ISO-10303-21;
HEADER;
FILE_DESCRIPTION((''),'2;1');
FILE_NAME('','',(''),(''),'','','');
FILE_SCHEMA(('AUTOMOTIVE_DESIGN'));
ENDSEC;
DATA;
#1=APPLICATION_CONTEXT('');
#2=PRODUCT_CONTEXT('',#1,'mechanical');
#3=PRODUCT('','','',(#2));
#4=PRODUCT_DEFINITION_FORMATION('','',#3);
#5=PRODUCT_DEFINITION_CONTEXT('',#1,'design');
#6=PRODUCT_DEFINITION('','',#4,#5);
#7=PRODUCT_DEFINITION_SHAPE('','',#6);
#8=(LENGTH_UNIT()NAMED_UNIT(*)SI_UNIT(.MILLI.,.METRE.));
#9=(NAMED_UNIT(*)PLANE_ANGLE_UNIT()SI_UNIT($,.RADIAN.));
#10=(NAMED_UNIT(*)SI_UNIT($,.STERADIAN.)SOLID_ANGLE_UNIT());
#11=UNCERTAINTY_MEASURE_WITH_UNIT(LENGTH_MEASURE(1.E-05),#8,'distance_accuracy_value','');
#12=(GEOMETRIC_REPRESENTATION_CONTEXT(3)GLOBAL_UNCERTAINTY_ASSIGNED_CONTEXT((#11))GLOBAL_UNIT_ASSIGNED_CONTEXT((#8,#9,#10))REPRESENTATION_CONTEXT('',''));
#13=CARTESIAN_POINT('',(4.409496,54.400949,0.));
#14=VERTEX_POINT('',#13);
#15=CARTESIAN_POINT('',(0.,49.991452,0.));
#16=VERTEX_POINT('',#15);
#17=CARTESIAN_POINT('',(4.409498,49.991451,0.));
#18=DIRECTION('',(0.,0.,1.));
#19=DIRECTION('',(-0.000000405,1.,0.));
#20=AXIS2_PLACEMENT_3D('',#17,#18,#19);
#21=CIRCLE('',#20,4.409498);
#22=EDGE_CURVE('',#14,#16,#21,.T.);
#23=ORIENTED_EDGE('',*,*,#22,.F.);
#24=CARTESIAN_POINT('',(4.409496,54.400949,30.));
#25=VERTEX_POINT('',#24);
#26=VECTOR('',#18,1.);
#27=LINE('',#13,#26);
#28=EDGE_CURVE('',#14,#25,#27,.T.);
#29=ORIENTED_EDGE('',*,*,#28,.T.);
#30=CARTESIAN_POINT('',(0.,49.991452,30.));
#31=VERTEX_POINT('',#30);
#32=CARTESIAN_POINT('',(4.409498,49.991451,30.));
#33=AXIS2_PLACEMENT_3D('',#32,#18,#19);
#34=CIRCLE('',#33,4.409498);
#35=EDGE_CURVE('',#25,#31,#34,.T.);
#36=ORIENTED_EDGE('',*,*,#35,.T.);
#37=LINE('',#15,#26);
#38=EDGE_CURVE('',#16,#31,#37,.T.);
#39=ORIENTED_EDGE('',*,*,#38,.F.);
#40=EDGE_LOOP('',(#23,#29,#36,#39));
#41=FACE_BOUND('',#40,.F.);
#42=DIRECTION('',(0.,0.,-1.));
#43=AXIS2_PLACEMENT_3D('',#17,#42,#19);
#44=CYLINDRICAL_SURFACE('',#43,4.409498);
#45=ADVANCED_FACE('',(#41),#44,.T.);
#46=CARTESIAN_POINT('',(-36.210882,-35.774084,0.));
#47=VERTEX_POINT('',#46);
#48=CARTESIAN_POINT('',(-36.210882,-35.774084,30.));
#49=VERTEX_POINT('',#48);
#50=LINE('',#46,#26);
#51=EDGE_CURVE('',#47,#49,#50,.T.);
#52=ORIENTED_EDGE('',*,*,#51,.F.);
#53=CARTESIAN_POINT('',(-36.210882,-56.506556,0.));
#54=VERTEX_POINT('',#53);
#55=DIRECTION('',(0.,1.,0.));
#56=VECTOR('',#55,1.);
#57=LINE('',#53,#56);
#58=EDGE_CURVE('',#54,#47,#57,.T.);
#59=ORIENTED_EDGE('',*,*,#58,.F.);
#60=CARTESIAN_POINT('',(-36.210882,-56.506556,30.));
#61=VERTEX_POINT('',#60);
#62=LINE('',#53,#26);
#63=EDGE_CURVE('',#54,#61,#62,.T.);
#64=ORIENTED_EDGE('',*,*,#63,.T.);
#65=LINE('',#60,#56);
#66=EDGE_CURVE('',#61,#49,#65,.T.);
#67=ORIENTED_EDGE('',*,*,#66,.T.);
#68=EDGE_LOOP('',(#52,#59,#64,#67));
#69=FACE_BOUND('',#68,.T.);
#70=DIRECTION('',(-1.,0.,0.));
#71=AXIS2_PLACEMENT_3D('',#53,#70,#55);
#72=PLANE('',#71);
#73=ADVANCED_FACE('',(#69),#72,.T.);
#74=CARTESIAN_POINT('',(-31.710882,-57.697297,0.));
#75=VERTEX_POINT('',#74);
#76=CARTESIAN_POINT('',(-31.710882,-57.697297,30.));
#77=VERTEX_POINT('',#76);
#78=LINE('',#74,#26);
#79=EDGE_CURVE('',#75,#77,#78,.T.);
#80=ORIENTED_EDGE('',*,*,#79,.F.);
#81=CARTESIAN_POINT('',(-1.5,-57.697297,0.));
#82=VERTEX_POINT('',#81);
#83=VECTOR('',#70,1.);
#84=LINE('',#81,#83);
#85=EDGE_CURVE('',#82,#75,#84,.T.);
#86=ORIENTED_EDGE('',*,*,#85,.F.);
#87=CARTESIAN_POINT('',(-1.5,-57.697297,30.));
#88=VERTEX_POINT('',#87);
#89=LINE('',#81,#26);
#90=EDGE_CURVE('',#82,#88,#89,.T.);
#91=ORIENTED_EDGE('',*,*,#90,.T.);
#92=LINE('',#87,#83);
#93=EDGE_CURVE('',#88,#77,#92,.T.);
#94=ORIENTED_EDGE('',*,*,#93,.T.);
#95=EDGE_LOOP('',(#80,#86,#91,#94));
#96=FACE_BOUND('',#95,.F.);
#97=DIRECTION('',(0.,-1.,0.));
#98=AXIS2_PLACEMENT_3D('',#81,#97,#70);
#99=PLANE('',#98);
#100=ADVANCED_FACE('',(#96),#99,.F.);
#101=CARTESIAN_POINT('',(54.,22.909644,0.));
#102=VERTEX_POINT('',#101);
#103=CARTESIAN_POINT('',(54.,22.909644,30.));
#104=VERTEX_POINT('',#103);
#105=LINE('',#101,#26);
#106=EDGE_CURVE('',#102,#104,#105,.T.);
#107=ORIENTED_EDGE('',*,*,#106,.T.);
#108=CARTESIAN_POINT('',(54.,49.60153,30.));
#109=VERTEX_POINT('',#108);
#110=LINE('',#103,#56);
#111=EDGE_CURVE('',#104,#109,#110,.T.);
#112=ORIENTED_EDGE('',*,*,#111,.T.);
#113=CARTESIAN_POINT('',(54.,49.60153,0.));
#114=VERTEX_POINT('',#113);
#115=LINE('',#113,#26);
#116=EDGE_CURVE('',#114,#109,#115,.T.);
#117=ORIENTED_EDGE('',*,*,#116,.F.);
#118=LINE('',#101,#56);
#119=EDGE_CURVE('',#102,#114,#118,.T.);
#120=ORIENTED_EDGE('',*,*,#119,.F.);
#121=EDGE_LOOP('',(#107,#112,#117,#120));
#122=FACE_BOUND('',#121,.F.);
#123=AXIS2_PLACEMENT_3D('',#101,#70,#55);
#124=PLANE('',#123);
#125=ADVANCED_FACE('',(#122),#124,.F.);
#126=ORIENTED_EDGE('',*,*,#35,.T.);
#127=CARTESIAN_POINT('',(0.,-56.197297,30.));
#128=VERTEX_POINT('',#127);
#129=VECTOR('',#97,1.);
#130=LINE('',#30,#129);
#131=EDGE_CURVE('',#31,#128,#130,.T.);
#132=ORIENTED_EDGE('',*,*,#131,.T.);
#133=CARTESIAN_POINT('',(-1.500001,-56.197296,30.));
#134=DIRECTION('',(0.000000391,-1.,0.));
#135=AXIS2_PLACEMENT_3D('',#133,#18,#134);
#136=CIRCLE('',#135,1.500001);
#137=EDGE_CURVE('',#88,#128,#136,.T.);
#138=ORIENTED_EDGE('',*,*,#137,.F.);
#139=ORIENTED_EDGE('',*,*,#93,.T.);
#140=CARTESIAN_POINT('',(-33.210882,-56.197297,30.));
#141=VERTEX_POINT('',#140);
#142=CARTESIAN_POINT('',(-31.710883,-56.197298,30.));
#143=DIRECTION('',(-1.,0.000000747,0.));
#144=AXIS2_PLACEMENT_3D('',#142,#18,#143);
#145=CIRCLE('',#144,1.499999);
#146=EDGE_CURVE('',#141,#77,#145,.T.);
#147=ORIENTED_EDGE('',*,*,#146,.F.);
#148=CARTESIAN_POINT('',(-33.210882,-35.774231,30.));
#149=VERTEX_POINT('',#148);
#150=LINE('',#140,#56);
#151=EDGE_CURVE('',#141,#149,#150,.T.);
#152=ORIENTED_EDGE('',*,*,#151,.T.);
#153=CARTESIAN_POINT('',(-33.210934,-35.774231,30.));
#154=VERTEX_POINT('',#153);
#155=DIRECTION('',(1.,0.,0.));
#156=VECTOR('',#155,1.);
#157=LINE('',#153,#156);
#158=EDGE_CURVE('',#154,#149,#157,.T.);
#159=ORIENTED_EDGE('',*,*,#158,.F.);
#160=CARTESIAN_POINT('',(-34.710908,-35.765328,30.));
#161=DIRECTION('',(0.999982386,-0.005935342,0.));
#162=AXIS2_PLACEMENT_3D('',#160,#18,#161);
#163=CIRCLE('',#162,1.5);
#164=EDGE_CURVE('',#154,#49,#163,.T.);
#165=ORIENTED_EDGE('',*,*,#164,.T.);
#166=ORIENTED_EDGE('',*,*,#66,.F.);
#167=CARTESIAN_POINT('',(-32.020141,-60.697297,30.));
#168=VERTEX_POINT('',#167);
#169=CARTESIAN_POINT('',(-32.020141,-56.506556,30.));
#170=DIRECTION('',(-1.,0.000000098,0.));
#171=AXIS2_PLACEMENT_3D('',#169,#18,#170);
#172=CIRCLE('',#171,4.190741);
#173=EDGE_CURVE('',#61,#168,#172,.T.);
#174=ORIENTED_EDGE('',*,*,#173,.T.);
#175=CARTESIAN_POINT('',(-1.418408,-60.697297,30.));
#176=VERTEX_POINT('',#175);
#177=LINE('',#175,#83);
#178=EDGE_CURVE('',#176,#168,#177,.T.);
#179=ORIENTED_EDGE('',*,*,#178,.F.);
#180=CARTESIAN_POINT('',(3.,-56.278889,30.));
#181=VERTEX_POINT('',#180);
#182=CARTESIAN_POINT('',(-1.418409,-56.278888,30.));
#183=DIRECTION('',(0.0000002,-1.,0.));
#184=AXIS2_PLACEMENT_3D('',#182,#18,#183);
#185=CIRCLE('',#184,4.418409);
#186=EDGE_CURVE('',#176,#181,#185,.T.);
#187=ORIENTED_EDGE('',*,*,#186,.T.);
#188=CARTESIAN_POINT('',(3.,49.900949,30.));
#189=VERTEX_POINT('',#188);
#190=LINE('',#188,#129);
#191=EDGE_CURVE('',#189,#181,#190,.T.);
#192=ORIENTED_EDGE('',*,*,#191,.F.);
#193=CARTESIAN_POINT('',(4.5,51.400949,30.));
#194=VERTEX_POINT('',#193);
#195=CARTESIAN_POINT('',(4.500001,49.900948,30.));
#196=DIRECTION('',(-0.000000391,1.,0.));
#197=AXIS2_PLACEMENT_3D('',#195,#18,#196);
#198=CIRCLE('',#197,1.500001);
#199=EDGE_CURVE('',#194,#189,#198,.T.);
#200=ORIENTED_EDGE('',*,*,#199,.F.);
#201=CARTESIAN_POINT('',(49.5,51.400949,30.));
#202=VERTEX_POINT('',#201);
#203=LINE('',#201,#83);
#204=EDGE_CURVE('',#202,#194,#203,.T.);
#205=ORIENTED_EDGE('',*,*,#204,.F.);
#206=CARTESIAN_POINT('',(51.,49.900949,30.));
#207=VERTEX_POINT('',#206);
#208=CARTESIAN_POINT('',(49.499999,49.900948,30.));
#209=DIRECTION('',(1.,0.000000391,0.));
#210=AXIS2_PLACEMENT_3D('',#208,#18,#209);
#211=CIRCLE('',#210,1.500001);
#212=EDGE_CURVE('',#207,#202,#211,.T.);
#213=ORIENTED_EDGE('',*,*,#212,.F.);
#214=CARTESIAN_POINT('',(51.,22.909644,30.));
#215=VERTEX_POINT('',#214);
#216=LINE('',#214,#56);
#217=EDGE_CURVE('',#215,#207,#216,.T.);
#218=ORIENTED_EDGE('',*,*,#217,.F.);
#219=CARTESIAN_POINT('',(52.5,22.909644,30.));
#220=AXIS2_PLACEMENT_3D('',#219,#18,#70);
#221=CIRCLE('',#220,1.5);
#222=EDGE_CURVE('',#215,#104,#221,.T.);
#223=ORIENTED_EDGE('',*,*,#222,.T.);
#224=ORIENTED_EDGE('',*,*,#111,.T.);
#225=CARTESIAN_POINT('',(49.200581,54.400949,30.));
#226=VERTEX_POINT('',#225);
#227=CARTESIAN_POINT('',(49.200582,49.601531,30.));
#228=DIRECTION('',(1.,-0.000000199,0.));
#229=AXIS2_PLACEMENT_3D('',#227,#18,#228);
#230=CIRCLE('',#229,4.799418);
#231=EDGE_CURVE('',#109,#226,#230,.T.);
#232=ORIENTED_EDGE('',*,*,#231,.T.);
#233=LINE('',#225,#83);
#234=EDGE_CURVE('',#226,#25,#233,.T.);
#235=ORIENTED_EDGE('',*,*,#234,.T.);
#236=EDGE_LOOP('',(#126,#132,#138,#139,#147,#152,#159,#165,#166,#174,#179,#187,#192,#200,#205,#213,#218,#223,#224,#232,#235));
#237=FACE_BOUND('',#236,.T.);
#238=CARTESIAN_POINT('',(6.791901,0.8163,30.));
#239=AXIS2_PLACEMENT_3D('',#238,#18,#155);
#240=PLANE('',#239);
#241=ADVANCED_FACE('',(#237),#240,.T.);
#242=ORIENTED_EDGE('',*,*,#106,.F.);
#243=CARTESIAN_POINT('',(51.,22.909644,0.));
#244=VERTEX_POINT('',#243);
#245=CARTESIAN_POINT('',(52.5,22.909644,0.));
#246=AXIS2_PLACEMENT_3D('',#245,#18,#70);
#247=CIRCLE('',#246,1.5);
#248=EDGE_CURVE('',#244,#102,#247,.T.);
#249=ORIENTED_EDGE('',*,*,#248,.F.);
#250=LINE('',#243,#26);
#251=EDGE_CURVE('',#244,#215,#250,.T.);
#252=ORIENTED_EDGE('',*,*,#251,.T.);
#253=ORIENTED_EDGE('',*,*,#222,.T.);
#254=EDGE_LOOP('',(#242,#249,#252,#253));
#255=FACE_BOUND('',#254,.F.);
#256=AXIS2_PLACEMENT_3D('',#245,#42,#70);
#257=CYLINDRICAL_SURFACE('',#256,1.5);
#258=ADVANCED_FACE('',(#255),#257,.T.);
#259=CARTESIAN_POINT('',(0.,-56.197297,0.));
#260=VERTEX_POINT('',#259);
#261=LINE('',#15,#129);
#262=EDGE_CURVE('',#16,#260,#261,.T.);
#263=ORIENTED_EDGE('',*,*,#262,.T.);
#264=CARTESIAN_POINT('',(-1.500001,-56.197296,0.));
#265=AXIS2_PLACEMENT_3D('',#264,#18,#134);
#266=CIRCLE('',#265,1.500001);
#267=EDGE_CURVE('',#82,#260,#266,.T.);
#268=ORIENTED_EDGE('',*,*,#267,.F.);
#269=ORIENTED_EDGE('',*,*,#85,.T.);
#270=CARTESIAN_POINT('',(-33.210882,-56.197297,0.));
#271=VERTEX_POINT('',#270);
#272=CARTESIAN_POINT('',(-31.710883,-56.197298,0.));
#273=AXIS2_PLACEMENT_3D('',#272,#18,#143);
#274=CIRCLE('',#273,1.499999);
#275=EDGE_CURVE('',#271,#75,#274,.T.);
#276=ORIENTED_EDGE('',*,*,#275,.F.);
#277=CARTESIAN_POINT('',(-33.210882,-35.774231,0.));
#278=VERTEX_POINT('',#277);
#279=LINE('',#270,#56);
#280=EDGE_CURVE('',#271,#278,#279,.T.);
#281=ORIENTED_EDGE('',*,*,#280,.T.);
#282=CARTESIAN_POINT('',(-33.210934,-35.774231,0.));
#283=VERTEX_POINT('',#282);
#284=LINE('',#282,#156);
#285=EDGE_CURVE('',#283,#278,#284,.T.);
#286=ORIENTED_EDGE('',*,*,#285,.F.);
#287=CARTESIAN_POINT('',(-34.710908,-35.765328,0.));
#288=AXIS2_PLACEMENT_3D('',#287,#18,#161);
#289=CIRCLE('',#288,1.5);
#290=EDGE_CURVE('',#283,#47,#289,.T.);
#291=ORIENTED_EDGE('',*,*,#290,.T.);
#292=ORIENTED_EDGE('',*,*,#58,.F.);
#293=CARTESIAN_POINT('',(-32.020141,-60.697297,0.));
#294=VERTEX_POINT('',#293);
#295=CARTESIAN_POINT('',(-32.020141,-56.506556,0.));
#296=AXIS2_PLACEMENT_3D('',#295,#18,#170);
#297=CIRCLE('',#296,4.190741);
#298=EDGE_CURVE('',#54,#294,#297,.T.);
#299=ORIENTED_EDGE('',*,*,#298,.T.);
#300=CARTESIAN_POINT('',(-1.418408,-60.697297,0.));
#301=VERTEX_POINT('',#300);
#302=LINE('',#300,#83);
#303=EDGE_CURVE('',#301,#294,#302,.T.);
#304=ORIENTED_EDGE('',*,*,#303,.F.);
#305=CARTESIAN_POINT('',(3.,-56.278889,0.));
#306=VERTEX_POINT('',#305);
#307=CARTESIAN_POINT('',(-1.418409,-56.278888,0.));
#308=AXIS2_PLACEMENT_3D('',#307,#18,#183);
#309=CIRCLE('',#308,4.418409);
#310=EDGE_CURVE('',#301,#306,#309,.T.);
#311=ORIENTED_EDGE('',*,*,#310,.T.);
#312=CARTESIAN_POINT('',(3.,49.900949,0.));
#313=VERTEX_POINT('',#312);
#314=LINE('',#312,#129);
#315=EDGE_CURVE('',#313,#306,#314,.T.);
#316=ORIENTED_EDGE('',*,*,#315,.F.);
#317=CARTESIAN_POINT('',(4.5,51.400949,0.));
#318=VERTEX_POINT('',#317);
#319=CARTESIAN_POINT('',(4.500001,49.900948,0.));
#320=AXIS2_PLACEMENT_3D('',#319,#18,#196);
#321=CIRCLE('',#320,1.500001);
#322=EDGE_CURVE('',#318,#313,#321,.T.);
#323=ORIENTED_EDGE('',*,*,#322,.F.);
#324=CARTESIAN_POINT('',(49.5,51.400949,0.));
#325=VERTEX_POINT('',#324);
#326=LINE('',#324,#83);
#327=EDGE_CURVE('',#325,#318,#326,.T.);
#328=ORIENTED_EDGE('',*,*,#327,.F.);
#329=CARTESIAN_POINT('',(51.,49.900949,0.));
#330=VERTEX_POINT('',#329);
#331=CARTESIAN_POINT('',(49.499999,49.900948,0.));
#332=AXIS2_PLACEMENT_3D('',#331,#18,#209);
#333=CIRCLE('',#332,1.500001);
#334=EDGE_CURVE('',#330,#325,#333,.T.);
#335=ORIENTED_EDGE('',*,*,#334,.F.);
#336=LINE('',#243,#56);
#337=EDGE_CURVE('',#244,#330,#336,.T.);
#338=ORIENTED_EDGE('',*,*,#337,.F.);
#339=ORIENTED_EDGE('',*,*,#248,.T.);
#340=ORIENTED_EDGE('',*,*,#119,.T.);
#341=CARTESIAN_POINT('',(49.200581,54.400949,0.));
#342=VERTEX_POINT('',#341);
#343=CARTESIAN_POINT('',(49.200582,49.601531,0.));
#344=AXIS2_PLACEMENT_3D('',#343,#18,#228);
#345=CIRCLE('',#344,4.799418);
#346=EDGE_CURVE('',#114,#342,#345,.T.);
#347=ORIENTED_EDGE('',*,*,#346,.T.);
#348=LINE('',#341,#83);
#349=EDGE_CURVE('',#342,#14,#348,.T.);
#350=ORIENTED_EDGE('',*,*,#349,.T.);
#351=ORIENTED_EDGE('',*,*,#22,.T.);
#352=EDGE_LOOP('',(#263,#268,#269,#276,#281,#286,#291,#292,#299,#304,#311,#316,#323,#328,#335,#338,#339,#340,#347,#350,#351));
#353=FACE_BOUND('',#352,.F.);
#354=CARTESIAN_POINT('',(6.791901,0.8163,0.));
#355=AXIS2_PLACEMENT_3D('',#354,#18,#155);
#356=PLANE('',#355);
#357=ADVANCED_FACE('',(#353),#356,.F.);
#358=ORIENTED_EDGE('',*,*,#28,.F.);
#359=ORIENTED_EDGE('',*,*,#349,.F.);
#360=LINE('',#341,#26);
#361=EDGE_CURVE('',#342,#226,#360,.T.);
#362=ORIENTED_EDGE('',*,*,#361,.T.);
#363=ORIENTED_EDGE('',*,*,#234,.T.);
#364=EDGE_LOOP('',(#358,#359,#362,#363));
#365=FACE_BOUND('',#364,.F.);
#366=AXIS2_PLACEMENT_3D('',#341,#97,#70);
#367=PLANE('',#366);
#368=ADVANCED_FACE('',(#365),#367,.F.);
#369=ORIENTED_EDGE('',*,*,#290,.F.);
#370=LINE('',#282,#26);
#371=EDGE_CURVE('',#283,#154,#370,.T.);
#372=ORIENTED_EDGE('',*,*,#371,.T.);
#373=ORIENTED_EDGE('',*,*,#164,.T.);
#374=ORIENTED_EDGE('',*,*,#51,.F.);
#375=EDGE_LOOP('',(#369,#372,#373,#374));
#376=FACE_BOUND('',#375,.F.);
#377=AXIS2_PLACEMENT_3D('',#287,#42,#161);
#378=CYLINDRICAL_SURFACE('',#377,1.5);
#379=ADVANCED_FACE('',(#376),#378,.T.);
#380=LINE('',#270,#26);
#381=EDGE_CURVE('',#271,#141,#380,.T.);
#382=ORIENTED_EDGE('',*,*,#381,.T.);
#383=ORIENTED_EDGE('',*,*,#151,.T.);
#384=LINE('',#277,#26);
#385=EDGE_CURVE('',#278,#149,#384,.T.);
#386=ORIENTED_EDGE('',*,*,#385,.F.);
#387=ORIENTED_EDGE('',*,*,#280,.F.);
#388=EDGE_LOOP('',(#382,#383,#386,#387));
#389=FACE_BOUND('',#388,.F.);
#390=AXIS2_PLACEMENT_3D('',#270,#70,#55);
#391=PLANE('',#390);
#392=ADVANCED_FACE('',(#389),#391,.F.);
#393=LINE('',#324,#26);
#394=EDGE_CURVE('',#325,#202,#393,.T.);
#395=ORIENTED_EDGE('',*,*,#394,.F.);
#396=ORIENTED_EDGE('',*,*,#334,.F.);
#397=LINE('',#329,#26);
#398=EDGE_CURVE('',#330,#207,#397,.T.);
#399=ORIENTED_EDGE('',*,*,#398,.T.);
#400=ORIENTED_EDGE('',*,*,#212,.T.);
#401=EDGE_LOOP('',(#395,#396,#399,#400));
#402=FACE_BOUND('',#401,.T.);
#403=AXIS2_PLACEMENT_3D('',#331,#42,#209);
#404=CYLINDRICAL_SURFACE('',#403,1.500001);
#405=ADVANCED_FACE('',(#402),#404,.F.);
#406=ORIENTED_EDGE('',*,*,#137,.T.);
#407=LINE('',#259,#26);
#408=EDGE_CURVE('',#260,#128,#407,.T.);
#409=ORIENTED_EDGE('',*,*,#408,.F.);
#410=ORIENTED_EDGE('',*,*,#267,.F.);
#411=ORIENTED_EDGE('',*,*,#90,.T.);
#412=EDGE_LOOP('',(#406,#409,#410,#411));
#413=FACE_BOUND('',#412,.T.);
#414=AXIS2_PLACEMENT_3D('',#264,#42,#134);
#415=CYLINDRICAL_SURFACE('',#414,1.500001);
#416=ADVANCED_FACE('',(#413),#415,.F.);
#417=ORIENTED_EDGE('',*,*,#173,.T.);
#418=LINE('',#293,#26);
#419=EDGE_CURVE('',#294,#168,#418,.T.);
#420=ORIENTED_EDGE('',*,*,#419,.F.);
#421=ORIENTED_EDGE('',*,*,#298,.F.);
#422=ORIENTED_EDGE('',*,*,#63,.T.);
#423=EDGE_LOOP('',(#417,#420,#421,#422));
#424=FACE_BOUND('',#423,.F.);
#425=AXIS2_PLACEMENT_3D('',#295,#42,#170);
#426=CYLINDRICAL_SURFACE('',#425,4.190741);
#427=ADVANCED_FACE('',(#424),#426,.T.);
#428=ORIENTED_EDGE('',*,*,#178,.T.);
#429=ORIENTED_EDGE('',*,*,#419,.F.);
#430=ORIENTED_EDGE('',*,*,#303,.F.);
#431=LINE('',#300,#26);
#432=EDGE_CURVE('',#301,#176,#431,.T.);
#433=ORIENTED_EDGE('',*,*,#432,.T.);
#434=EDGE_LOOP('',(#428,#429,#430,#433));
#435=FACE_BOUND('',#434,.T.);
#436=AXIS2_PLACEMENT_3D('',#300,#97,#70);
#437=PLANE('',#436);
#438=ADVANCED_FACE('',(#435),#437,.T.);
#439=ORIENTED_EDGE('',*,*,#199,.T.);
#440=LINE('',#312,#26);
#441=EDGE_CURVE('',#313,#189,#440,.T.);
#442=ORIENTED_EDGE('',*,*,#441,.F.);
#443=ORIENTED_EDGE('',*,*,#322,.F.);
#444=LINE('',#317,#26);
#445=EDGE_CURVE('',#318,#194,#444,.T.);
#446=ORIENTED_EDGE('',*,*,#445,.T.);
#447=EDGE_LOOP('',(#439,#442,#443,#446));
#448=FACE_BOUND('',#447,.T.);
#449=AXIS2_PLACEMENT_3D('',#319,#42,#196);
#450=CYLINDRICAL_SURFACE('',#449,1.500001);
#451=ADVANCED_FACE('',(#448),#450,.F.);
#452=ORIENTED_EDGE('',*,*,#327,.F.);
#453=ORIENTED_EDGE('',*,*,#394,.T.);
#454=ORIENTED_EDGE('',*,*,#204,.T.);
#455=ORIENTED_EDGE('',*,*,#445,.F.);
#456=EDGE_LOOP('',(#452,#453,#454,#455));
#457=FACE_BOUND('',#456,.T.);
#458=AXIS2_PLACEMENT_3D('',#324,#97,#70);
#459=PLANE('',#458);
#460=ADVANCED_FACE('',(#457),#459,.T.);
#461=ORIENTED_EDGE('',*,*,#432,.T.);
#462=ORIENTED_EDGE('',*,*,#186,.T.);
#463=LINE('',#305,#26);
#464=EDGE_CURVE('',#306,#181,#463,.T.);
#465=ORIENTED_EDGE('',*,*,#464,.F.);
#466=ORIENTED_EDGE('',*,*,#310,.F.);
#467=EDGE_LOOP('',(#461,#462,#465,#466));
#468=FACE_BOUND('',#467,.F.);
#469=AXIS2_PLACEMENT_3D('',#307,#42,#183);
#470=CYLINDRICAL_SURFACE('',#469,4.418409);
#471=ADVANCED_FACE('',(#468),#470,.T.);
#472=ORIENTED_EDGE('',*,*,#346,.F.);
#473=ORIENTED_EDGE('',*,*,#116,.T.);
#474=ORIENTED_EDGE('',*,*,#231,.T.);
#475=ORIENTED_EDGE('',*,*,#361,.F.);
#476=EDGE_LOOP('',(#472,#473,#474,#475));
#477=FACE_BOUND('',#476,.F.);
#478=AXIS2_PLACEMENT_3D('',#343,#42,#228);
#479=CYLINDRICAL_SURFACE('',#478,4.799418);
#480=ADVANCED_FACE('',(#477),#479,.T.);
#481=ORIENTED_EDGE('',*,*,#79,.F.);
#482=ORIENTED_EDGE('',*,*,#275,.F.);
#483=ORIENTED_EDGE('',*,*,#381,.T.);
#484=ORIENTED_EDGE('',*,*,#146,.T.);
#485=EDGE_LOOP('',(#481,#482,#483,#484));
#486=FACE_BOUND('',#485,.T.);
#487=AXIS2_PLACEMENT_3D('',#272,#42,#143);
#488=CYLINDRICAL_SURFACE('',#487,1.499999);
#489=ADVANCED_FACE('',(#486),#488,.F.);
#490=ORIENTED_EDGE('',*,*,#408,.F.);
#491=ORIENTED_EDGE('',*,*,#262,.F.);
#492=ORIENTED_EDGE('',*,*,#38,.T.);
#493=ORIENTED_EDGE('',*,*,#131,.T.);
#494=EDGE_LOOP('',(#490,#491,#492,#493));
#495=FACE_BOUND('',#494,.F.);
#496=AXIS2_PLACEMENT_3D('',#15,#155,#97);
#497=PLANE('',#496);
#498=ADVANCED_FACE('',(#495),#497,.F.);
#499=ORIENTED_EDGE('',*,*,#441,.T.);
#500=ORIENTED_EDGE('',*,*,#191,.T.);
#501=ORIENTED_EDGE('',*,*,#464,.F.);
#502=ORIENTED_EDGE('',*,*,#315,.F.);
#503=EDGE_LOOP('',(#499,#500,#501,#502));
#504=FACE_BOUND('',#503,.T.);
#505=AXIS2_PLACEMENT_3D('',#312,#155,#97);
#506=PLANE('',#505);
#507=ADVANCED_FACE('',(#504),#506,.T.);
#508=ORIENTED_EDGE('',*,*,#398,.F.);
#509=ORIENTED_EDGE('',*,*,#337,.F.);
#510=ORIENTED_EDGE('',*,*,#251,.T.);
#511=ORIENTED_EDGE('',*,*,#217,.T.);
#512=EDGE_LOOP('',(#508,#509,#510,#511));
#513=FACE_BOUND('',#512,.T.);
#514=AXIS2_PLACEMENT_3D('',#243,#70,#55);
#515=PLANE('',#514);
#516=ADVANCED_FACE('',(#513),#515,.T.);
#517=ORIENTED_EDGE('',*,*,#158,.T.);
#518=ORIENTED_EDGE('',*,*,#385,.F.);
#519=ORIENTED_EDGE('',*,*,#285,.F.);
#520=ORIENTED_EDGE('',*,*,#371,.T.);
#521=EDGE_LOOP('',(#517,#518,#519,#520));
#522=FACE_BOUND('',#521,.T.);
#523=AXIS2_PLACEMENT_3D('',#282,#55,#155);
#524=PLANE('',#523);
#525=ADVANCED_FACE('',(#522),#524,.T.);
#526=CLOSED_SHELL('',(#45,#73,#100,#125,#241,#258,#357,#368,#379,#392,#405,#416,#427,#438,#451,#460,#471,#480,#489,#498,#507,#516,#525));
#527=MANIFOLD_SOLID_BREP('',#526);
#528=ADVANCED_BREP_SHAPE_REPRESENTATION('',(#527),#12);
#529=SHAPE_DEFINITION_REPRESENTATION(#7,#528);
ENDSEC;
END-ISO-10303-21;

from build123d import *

# Parameters (mm, degrees)
PAD_DEPTH = 30


with BuildPart() as part:
    # Sketch → Pad (new body)
    with BuildSketch(Plane.XY):
        with BuildLine():
            Line((54, 22.909644), (54, 49.60153))
            ThreePointArc((54, 49.60153), (52.594283, 52.995232), (49.200581, 54.400949))
            Line((49.200581, 54.400949), (4.409496, 54.400949))
            ThreePointArc((4.409496, 54.400949), (1.291512, 53.109437), (0, 49.991452))
            Line((0, 49.991452), (0, -56.197297))
            ThreePointArc((-1.5, -57.697297), (-0.43934, -57.257957), (0, -56.197297))
            Line((-1.5, -57.697297), (-31.710882, -57.697297))
            ThreePointArc((-33.210882, -56.197297), (-32.771543, -57.257957), (-31.710882, -57.697297))
            Line((-33.210882, -56.197297), (-33.210882, -35.774231))
            Line((-33.210934, -35.774231), (-33.210882, -35.774231))
            ThreePointArc((-33.210934, -35.774231), (-34.710834, -34.265328), (-36.210882, -35.774084))
            Line((-36.210882, -56.506556), (-36.210882, -35.774084))
            ThreePointArc((-36.210882, -56.506556), (-34.983443, -59.469857), (-32.020141, -60.697297))
            Line((-1.418408, -60.697297), (-32.020141, -60.697297))
            ThreePointArc((-1.418408, -60.697297), (1.705878, -59.403175), (3, -56.278889))
            Line((3, 49.900949), (3, -56.278889))
            ThreePointArc((4.5, 51.400949), (3.43934, 50.961609), (3, 49.900949))
            Line((49.5, 51.400949), (4.5, 51.400949))
            ThreePointArc((51, 49.900949), (50.56066, 50.961609), (49.5, 51.400949))
            Line((51, 22.909644), (51, 49.900949))
            ThreePointArc((51, 22.909644), (52.5, 21.409644), (54, 22.909644))
        make_face()
    extrude(amount=PAD_DEPTH)


solid = part.part
